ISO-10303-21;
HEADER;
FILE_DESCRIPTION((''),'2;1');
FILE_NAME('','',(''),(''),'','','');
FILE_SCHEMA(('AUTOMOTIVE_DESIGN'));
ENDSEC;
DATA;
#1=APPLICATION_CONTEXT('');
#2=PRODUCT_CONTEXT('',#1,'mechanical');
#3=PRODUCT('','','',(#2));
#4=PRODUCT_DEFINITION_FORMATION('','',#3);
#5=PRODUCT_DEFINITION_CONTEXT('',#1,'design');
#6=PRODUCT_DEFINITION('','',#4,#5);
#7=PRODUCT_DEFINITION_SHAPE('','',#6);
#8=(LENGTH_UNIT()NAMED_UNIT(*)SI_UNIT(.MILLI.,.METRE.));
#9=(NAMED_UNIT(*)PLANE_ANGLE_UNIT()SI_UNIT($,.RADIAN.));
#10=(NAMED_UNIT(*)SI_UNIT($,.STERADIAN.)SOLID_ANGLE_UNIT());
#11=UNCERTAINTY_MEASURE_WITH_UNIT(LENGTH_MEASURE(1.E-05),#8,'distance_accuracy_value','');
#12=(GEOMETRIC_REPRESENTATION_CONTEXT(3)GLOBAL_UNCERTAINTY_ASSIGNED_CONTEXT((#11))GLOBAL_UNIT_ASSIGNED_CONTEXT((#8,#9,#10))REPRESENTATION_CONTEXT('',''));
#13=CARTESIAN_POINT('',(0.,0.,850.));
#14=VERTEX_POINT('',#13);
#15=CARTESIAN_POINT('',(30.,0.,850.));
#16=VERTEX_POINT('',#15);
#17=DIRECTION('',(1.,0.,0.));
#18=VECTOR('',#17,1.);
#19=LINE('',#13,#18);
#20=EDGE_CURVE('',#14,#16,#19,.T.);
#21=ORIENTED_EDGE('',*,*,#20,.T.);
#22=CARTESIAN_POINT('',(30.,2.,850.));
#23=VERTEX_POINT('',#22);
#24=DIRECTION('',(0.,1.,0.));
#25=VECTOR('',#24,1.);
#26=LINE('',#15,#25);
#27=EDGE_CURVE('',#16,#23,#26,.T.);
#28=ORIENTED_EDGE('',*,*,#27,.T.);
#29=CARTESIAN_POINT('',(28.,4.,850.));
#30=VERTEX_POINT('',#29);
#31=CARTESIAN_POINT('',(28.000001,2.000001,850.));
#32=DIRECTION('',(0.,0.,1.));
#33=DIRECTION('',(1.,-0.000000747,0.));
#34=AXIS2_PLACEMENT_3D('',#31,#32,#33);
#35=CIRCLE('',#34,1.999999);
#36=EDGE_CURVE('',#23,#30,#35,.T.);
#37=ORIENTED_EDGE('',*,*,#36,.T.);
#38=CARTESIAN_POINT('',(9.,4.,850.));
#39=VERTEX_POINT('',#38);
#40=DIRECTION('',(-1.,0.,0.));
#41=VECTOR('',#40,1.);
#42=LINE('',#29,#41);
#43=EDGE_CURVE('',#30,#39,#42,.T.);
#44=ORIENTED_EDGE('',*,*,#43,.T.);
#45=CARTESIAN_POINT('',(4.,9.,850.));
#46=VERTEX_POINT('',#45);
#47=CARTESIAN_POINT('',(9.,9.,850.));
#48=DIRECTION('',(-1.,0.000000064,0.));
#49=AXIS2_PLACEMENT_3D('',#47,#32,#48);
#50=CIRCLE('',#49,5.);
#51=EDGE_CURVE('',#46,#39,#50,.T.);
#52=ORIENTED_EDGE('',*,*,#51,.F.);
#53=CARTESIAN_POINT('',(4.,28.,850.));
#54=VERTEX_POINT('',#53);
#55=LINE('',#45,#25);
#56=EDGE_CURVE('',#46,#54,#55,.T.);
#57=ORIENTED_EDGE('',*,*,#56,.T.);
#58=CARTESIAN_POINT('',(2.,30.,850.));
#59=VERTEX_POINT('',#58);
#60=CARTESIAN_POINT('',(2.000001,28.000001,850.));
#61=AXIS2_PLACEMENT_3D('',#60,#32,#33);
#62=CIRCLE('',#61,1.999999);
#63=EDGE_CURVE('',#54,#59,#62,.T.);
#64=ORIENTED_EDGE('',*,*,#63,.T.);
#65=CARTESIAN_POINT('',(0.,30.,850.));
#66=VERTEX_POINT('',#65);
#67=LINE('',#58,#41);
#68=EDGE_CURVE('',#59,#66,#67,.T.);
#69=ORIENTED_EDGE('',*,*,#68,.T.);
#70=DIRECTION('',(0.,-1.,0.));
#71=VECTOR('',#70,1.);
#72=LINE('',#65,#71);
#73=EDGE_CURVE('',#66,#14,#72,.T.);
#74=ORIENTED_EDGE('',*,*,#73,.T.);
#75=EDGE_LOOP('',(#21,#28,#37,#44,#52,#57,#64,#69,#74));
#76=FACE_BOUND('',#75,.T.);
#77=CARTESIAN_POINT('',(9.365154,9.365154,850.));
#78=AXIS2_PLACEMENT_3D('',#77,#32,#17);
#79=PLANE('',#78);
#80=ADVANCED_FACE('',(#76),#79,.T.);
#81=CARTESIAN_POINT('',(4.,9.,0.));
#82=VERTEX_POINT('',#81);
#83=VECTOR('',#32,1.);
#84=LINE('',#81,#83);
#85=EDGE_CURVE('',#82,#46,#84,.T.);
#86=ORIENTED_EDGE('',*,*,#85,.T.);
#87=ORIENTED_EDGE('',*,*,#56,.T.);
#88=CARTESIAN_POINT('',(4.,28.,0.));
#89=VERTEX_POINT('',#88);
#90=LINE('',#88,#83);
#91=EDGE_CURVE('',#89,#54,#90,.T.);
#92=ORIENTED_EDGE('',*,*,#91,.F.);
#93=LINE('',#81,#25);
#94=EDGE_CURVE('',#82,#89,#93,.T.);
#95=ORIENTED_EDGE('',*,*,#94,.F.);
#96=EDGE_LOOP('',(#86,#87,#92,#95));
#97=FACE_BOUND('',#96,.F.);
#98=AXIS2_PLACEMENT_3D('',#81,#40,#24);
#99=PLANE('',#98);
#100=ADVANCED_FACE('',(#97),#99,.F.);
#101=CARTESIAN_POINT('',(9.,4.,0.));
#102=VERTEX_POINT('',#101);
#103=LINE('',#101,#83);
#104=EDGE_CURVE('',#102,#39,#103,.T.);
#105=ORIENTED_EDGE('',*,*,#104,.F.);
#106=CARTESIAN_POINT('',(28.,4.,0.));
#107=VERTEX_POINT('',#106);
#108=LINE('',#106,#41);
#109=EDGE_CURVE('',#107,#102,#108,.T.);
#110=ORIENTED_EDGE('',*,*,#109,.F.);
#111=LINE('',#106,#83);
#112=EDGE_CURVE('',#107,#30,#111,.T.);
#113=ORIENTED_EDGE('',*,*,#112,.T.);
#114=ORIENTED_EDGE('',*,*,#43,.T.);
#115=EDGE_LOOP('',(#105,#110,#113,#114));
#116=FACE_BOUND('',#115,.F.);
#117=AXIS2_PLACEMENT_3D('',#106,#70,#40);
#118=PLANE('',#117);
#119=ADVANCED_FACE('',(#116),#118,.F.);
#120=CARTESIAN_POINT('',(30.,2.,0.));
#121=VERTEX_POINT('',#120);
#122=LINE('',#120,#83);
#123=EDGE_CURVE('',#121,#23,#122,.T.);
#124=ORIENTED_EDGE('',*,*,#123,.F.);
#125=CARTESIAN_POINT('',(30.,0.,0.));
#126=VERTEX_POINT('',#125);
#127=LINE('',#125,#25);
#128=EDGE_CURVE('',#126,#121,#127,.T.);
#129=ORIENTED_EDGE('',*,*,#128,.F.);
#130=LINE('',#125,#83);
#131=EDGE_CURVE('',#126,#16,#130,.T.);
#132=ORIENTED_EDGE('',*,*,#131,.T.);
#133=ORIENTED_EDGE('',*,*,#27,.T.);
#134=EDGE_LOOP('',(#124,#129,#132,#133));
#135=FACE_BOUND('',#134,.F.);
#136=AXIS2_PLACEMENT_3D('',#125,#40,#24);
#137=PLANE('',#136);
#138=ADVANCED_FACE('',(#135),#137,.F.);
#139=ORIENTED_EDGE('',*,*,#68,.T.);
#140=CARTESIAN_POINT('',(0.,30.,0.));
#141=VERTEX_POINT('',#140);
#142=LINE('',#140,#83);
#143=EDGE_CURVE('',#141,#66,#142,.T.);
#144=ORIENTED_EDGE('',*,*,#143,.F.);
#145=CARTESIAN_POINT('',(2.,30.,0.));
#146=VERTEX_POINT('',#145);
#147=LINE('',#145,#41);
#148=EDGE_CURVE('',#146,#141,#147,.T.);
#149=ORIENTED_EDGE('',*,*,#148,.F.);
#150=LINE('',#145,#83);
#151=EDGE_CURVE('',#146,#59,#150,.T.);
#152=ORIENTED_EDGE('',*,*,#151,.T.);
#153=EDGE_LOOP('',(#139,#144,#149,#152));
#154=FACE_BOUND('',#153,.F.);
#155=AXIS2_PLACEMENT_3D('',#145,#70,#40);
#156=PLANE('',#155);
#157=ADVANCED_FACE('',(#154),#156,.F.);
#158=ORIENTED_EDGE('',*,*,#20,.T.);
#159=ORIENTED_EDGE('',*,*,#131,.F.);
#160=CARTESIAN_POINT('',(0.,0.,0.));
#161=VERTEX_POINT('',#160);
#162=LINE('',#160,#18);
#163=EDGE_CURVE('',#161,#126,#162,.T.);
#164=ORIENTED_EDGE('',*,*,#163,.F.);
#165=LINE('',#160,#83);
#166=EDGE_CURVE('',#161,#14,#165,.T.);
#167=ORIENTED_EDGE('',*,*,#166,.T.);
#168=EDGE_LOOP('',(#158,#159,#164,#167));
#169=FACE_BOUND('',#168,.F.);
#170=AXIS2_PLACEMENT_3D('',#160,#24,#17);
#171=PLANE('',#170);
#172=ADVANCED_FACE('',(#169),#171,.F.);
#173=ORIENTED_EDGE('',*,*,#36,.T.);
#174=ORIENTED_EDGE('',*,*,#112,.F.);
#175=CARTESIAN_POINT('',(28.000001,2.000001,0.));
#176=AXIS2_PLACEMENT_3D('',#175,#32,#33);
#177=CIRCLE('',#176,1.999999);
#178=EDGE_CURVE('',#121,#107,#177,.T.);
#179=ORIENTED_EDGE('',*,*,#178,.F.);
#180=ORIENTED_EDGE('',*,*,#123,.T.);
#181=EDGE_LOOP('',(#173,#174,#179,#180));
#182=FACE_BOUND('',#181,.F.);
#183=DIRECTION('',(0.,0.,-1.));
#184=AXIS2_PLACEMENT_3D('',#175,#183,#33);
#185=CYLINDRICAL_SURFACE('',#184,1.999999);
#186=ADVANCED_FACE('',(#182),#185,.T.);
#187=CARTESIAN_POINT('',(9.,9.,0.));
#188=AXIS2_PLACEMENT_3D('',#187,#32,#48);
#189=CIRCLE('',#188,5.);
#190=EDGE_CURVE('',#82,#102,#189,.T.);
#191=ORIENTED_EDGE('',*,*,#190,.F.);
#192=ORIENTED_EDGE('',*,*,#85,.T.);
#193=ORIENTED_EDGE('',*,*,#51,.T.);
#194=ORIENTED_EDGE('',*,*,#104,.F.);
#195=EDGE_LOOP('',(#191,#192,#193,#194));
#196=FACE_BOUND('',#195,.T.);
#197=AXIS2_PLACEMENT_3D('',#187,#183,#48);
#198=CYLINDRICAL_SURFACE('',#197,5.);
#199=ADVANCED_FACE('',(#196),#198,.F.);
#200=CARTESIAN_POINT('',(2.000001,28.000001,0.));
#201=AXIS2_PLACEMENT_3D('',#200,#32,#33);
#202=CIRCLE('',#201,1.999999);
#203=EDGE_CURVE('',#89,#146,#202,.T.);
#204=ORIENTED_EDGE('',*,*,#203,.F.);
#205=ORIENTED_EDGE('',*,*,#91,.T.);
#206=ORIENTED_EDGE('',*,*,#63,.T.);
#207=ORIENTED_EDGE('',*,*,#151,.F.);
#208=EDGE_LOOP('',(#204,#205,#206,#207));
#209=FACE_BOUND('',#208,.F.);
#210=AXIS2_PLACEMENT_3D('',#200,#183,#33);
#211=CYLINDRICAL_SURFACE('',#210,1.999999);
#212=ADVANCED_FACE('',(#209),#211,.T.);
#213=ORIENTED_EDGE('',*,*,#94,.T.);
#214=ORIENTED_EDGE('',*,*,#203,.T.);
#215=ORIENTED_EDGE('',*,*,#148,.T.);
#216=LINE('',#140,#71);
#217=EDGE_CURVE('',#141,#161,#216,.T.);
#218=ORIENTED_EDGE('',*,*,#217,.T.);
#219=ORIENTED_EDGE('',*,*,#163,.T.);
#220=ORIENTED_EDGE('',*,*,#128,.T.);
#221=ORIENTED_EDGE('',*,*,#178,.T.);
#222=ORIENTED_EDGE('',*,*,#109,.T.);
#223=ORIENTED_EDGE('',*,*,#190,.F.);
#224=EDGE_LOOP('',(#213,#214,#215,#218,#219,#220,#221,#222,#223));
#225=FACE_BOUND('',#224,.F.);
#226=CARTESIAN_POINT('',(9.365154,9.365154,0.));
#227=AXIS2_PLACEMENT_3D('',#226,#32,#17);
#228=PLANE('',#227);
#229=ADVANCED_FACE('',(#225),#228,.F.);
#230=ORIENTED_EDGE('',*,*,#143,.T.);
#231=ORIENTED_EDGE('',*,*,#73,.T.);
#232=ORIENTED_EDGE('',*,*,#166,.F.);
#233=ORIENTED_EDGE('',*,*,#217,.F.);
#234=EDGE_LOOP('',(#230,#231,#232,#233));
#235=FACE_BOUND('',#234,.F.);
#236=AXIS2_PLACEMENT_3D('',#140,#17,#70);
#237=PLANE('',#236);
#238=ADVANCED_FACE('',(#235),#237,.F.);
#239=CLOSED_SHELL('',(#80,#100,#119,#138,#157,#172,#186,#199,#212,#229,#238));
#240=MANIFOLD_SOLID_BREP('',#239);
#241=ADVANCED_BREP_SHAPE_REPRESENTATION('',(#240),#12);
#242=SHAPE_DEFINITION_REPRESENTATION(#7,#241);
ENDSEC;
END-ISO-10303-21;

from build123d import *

# Parameters (mm, degrees)
PAD_DEPTH = 850


with BuildPart() as part:
    # Sketch → Pad (new body)
    with BuildSketch(Plane.XY):
        with BuildLine():
            Line((0, 0), (30, 0))
            Line((30, 0), (30, 2))
            ThreePointArc((30, 2), (29.414214, 3.414214), (28, 4))
            Line((28, 4), (9, 4))
            ThreePointArc((4, 9), (5.464466, 5.464466), (9, 4))
            Line((4, 9), (4, 28))
            ThreePointArc((4, 28), (3.414214, 29.414214), (2, 30))
            Line((2, 30), (0, 30))
            Line((0, 30), (0, 0))
        make_face()
    extrude(amount=PAD_DEPTH)


solid = part.part
